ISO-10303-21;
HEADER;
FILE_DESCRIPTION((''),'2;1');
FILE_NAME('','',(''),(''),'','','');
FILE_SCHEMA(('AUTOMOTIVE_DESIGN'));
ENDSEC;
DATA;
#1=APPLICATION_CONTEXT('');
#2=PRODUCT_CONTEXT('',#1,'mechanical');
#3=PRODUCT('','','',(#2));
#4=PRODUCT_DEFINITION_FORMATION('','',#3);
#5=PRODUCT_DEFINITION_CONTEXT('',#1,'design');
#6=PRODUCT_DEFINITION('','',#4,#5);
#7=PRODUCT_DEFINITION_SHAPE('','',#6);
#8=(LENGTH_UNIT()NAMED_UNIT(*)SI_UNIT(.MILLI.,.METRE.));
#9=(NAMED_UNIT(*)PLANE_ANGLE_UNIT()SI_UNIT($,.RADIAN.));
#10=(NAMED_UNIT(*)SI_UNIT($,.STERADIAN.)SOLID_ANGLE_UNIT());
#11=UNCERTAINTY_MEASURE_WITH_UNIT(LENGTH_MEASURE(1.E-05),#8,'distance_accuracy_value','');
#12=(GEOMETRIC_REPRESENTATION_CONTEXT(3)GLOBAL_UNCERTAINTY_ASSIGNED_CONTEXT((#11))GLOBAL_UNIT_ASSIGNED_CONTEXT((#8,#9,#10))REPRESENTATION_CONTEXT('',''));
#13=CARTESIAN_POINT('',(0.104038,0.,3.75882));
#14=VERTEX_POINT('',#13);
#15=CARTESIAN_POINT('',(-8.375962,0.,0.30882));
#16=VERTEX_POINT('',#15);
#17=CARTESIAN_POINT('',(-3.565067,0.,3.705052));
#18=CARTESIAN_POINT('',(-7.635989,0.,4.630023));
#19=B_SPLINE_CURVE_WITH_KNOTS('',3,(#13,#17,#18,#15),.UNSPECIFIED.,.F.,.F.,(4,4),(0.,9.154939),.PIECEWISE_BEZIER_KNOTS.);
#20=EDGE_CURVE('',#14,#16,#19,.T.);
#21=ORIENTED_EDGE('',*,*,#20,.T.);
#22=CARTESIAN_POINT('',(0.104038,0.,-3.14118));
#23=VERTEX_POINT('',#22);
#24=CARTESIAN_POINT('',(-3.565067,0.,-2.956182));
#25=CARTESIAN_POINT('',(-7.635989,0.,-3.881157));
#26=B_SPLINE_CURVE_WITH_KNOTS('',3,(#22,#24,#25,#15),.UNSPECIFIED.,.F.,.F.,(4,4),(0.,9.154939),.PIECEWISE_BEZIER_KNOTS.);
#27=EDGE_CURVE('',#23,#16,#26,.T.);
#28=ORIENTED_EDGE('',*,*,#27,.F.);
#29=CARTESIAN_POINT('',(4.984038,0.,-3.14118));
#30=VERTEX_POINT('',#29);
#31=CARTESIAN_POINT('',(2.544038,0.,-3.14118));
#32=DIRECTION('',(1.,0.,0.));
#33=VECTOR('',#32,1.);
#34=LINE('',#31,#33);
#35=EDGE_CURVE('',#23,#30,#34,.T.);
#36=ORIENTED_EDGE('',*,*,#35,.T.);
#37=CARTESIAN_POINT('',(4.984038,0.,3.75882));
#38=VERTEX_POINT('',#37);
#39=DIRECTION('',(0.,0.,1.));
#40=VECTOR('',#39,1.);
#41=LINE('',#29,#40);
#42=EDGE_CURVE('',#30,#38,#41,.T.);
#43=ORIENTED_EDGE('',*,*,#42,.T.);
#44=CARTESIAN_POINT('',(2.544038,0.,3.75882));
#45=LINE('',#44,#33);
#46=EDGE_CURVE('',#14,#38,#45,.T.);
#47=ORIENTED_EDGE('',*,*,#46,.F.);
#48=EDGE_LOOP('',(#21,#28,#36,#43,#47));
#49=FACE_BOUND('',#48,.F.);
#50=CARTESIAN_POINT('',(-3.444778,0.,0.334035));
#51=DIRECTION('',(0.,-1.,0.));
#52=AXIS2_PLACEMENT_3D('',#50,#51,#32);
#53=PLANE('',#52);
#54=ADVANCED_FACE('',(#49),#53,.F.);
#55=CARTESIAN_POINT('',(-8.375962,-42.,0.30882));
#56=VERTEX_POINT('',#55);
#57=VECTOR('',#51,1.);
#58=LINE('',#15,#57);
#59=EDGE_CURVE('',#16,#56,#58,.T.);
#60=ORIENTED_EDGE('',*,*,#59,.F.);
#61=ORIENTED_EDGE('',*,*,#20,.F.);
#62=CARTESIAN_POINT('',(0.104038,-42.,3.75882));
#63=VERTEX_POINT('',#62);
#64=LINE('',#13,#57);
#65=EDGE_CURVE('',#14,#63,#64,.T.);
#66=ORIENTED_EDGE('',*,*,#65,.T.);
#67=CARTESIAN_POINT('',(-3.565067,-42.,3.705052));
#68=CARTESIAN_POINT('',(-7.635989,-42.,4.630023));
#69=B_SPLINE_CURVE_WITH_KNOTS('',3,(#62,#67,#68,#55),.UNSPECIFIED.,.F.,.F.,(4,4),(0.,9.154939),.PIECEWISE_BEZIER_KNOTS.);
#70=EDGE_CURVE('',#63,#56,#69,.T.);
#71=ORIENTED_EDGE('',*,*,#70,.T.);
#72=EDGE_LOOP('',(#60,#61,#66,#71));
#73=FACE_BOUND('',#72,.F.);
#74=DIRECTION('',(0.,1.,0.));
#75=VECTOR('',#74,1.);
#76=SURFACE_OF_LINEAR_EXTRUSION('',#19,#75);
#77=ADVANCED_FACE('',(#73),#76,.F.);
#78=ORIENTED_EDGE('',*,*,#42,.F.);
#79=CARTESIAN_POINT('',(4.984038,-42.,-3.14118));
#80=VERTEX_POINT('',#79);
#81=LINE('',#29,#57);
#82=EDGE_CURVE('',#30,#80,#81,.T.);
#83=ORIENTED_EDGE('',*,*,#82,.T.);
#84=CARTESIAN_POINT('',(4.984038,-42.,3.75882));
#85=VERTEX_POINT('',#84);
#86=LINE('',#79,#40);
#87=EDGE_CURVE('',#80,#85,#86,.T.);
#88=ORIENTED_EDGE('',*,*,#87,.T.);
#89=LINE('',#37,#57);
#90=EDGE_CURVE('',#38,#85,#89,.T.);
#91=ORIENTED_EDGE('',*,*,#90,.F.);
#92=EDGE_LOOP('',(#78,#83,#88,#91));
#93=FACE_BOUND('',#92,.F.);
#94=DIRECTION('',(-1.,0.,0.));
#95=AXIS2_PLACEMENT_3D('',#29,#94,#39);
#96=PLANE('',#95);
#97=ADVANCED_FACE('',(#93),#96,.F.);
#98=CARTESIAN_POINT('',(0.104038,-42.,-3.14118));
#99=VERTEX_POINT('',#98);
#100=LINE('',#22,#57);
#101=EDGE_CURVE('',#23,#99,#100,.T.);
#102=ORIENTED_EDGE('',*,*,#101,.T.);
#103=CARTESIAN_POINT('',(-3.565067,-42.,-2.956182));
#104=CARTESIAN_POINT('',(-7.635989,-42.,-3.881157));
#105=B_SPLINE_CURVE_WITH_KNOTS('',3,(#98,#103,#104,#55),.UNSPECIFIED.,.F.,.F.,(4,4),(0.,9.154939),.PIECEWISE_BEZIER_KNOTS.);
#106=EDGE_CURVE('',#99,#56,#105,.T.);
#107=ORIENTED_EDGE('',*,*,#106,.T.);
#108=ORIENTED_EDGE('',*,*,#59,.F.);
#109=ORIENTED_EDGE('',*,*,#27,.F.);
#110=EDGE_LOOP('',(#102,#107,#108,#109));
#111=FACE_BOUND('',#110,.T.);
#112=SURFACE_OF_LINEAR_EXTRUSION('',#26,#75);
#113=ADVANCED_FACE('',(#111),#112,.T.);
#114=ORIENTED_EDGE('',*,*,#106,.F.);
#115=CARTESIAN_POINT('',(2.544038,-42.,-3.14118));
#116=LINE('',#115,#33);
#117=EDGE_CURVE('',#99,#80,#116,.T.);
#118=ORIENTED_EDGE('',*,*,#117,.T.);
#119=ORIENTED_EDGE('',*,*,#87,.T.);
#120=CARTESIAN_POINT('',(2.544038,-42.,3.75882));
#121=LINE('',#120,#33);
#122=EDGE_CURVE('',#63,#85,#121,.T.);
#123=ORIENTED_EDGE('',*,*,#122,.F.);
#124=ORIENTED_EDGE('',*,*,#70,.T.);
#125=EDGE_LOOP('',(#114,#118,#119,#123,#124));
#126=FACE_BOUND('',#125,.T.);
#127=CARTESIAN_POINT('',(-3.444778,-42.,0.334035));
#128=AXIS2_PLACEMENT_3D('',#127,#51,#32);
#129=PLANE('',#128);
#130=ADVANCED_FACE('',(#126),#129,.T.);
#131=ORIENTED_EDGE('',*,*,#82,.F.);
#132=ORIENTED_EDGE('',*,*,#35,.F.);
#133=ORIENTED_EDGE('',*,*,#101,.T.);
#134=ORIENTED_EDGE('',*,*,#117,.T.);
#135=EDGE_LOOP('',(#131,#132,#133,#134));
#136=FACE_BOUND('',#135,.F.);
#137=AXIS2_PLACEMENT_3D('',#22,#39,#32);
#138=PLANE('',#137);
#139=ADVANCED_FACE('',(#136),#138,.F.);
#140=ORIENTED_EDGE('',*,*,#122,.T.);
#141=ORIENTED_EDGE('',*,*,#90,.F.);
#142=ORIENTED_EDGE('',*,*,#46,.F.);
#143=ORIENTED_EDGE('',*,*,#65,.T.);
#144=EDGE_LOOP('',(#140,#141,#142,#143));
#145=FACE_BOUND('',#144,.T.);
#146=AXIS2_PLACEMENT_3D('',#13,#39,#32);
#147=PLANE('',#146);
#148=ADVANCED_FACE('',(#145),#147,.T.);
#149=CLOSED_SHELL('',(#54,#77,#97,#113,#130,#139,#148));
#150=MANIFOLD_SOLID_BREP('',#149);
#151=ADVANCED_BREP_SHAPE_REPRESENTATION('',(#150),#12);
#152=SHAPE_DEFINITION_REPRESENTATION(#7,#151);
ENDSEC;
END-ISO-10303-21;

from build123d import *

# Parameters (mm, degrees)
F0_W     = 4.88
F0_H     = 3.45
F1_DEPTH = 42


with BuildPart() as f1:
    # F0 (on Front) → F1 (new body)
    with BuildSketch(Plane.XZ):
        with BuildLine():
            Line((0.104038, 0.30882), (0.104038, 3.75882))
            add(Edge.make_bspline(
                [(0.104038, 3.75882), (-3.565067, 3.705052), (-7.635989, 4.630023), (-8.375962, 0.30882)],
                knots=[0, 0, 0, 0, 9.154939, 9.154939, 9.154939, 9.154939], degree=3))
            add(Edge.make_bspline(
                [(0.104038, -3.14118), (-3.565067, -2.956182), (-7.635989, -3.881157), (-8.375962, 0.30882)],
                knots=[0, 0, 0, 0, 9.154939, 9.154939, 9.154939, 9.154939], degree=3))
            Line((0.104038, -3.14118), (0.104038, 0.30882))
        make_face()
        with Locations((2.544038, -1.41618)):
            Rectangle(F0_W, F0_H)
        with Locations((2.544038, 2.03382)):
            Rectangle(F0_W, F0_H)
    extrude(amount=F1_DEPTH)


solid = f1.part
